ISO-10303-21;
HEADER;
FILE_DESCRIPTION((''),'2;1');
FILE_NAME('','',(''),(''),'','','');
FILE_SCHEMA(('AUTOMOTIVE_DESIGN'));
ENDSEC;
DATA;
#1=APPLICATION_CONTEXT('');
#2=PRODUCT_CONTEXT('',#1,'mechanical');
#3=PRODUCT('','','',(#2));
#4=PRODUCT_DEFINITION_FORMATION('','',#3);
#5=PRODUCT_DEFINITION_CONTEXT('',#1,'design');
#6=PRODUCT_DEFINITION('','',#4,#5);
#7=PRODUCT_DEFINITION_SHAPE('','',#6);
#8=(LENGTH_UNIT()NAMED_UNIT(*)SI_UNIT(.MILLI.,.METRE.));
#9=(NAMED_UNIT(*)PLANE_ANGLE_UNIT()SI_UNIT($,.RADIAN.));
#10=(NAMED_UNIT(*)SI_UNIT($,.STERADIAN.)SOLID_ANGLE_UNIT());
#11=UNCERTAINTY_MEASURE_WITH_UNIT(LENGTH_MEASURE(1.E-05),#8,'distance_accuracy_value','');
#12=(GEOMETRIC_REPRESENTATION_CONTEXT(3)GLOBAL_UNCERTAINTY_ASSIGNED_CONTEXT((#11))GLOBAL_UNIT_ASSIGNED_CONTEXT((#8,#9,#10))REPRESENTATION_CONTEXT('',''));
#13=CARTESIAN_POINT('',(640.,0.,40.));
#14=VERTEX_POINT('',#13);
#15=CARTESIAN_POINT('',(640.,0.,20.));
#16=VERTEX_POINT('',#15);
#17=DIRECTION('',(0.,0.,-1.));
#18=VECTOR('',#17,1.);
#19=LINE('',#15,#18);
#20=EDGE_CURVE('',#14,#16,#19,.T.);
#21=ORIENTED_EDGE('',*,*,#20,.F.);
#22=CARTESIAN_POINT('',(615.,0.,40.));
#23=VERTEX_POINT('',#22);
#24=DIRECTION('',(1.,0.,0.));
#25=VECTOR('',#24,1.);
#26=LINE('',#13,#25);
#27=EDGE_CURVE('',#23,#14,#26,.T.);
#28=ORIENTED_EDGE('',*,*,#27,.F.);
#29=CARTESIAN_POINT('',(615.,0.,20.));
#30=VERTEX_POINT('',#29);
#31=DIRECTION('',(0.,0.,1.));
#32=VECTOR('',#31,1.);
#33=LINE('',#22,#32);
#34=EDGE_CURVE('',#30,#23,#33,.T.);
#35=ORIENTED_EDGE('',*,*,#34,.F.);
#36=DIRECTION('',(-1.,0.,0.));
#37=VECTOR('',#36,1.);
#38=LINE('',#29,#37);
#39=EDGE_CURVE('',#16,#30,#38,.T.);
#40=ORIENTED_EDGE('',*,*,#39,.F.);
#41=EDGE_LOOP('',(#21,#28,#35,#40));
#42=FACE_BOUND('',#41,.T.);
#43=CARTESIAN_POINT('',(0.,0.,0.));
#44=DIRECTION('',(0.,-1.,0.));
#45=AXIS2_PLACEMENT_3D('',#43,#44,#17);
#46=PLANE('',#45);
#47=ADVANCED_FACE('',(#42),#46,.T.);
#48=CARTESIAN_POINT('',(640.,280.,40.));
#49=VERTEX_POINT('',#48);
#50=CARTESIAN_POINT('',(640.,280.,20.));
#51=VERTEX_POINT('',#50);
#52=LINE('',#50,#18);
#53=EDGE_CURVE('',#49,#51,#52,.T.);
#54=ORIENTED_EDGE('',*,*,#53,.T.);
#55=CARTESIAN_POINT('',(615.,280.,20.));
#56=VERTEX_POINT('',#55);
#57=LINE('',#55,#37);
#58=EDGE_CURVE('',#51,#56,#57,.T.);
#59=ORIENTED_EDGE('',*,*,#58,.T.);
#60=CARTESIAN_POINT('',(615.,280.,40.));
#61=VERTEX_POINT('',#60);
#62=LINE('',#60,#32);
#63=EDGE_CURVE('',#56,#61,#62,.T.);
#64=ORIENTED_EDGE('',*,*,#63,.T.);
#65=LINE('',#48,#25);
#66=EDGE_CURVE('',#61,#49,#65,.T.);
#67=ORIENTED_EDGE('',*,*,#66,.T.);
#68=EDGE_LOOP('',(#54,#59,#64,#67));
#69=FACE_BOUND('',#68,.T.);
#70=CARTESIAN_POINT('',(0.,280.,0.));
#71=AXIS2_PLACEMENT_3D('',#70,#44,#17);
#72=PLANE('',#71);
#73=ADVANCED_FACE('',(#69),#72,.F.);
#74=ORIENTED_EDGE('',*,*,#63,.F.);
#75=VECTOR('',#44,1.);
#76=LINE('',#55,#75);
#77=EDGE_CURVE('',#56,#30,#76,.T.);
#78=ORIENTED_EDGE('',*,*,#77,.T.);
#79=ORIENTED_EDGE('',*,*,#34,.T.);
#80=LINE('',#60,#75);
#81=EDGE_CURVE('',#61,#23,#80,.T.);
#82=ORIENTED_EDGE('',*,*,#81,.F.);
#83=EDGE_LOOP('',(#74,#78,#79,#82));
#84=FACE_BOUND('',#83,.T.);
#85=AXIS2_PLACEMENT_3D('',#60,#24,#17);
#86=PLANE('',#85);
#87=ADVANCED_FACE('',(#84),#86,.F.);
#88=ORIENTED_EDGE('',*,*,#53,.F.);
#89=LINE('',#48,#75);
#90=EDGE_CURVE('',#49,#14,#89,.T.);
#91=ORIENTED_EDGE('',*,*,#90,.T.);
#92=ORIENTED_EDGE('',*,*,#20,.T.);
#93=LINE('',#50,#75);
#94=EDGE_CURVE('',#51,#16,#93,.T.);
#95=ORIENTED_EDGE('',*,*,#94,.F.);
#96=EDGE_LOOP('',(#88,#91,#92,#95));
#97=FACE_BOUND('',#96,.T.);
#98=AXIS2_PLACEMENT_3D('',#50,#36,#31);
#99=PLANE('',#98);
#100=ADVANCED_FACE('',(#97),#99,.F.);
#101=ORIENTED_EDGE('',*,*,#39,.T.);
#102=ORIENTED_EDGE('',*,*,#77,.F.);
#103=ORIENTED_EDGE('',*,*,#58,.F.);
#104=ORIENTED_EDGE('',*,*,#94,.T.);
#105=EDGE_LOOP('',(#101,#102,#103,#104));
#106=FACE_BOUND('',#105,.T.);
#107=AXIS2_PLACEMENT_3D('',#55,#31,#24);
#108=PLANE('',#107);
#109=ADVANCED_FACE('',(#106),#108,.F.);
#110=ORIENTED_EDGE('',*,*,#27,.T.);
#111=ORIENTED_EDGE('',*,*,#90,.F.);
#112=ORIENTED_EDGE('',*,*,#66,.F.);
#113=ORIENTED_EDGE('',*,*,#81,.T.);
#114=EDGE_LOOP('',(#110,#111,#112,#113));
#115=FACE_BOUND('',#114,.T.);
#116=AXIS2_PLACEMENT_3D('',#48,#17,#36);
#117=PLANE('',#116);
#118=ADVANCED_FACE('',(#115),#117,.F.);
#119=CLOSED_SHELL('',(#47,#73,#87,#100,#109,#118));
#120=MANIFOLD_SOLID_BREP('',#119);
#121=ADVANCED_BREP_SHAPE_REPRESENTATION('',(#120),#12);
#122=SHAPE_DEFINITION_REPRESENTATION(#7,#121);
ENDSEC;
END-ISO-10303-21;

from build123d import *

# Parameters (mm, degrees)
SKETCH1_W                = 25
SKETCH1_H                = 20
FKAP_CERCEVE_SAG_1_DEPTH = 280


with BuildPart() as part:
    # Sketch1 → FKAP_cerceve_sag_1 (new body)
    with BuildSketch(Plane(origin=(0, 0, 0), x_dir=(1, 0, 0), z_dir=(0, 1, 0))):
        with Locations((627.5, -30)):
            Rectangle(SKETCH1_W, SKETCH1_H)
    extrude(amount=FKAP_CERCEVE_SAG_1_DEPTH)


solid = part.part
